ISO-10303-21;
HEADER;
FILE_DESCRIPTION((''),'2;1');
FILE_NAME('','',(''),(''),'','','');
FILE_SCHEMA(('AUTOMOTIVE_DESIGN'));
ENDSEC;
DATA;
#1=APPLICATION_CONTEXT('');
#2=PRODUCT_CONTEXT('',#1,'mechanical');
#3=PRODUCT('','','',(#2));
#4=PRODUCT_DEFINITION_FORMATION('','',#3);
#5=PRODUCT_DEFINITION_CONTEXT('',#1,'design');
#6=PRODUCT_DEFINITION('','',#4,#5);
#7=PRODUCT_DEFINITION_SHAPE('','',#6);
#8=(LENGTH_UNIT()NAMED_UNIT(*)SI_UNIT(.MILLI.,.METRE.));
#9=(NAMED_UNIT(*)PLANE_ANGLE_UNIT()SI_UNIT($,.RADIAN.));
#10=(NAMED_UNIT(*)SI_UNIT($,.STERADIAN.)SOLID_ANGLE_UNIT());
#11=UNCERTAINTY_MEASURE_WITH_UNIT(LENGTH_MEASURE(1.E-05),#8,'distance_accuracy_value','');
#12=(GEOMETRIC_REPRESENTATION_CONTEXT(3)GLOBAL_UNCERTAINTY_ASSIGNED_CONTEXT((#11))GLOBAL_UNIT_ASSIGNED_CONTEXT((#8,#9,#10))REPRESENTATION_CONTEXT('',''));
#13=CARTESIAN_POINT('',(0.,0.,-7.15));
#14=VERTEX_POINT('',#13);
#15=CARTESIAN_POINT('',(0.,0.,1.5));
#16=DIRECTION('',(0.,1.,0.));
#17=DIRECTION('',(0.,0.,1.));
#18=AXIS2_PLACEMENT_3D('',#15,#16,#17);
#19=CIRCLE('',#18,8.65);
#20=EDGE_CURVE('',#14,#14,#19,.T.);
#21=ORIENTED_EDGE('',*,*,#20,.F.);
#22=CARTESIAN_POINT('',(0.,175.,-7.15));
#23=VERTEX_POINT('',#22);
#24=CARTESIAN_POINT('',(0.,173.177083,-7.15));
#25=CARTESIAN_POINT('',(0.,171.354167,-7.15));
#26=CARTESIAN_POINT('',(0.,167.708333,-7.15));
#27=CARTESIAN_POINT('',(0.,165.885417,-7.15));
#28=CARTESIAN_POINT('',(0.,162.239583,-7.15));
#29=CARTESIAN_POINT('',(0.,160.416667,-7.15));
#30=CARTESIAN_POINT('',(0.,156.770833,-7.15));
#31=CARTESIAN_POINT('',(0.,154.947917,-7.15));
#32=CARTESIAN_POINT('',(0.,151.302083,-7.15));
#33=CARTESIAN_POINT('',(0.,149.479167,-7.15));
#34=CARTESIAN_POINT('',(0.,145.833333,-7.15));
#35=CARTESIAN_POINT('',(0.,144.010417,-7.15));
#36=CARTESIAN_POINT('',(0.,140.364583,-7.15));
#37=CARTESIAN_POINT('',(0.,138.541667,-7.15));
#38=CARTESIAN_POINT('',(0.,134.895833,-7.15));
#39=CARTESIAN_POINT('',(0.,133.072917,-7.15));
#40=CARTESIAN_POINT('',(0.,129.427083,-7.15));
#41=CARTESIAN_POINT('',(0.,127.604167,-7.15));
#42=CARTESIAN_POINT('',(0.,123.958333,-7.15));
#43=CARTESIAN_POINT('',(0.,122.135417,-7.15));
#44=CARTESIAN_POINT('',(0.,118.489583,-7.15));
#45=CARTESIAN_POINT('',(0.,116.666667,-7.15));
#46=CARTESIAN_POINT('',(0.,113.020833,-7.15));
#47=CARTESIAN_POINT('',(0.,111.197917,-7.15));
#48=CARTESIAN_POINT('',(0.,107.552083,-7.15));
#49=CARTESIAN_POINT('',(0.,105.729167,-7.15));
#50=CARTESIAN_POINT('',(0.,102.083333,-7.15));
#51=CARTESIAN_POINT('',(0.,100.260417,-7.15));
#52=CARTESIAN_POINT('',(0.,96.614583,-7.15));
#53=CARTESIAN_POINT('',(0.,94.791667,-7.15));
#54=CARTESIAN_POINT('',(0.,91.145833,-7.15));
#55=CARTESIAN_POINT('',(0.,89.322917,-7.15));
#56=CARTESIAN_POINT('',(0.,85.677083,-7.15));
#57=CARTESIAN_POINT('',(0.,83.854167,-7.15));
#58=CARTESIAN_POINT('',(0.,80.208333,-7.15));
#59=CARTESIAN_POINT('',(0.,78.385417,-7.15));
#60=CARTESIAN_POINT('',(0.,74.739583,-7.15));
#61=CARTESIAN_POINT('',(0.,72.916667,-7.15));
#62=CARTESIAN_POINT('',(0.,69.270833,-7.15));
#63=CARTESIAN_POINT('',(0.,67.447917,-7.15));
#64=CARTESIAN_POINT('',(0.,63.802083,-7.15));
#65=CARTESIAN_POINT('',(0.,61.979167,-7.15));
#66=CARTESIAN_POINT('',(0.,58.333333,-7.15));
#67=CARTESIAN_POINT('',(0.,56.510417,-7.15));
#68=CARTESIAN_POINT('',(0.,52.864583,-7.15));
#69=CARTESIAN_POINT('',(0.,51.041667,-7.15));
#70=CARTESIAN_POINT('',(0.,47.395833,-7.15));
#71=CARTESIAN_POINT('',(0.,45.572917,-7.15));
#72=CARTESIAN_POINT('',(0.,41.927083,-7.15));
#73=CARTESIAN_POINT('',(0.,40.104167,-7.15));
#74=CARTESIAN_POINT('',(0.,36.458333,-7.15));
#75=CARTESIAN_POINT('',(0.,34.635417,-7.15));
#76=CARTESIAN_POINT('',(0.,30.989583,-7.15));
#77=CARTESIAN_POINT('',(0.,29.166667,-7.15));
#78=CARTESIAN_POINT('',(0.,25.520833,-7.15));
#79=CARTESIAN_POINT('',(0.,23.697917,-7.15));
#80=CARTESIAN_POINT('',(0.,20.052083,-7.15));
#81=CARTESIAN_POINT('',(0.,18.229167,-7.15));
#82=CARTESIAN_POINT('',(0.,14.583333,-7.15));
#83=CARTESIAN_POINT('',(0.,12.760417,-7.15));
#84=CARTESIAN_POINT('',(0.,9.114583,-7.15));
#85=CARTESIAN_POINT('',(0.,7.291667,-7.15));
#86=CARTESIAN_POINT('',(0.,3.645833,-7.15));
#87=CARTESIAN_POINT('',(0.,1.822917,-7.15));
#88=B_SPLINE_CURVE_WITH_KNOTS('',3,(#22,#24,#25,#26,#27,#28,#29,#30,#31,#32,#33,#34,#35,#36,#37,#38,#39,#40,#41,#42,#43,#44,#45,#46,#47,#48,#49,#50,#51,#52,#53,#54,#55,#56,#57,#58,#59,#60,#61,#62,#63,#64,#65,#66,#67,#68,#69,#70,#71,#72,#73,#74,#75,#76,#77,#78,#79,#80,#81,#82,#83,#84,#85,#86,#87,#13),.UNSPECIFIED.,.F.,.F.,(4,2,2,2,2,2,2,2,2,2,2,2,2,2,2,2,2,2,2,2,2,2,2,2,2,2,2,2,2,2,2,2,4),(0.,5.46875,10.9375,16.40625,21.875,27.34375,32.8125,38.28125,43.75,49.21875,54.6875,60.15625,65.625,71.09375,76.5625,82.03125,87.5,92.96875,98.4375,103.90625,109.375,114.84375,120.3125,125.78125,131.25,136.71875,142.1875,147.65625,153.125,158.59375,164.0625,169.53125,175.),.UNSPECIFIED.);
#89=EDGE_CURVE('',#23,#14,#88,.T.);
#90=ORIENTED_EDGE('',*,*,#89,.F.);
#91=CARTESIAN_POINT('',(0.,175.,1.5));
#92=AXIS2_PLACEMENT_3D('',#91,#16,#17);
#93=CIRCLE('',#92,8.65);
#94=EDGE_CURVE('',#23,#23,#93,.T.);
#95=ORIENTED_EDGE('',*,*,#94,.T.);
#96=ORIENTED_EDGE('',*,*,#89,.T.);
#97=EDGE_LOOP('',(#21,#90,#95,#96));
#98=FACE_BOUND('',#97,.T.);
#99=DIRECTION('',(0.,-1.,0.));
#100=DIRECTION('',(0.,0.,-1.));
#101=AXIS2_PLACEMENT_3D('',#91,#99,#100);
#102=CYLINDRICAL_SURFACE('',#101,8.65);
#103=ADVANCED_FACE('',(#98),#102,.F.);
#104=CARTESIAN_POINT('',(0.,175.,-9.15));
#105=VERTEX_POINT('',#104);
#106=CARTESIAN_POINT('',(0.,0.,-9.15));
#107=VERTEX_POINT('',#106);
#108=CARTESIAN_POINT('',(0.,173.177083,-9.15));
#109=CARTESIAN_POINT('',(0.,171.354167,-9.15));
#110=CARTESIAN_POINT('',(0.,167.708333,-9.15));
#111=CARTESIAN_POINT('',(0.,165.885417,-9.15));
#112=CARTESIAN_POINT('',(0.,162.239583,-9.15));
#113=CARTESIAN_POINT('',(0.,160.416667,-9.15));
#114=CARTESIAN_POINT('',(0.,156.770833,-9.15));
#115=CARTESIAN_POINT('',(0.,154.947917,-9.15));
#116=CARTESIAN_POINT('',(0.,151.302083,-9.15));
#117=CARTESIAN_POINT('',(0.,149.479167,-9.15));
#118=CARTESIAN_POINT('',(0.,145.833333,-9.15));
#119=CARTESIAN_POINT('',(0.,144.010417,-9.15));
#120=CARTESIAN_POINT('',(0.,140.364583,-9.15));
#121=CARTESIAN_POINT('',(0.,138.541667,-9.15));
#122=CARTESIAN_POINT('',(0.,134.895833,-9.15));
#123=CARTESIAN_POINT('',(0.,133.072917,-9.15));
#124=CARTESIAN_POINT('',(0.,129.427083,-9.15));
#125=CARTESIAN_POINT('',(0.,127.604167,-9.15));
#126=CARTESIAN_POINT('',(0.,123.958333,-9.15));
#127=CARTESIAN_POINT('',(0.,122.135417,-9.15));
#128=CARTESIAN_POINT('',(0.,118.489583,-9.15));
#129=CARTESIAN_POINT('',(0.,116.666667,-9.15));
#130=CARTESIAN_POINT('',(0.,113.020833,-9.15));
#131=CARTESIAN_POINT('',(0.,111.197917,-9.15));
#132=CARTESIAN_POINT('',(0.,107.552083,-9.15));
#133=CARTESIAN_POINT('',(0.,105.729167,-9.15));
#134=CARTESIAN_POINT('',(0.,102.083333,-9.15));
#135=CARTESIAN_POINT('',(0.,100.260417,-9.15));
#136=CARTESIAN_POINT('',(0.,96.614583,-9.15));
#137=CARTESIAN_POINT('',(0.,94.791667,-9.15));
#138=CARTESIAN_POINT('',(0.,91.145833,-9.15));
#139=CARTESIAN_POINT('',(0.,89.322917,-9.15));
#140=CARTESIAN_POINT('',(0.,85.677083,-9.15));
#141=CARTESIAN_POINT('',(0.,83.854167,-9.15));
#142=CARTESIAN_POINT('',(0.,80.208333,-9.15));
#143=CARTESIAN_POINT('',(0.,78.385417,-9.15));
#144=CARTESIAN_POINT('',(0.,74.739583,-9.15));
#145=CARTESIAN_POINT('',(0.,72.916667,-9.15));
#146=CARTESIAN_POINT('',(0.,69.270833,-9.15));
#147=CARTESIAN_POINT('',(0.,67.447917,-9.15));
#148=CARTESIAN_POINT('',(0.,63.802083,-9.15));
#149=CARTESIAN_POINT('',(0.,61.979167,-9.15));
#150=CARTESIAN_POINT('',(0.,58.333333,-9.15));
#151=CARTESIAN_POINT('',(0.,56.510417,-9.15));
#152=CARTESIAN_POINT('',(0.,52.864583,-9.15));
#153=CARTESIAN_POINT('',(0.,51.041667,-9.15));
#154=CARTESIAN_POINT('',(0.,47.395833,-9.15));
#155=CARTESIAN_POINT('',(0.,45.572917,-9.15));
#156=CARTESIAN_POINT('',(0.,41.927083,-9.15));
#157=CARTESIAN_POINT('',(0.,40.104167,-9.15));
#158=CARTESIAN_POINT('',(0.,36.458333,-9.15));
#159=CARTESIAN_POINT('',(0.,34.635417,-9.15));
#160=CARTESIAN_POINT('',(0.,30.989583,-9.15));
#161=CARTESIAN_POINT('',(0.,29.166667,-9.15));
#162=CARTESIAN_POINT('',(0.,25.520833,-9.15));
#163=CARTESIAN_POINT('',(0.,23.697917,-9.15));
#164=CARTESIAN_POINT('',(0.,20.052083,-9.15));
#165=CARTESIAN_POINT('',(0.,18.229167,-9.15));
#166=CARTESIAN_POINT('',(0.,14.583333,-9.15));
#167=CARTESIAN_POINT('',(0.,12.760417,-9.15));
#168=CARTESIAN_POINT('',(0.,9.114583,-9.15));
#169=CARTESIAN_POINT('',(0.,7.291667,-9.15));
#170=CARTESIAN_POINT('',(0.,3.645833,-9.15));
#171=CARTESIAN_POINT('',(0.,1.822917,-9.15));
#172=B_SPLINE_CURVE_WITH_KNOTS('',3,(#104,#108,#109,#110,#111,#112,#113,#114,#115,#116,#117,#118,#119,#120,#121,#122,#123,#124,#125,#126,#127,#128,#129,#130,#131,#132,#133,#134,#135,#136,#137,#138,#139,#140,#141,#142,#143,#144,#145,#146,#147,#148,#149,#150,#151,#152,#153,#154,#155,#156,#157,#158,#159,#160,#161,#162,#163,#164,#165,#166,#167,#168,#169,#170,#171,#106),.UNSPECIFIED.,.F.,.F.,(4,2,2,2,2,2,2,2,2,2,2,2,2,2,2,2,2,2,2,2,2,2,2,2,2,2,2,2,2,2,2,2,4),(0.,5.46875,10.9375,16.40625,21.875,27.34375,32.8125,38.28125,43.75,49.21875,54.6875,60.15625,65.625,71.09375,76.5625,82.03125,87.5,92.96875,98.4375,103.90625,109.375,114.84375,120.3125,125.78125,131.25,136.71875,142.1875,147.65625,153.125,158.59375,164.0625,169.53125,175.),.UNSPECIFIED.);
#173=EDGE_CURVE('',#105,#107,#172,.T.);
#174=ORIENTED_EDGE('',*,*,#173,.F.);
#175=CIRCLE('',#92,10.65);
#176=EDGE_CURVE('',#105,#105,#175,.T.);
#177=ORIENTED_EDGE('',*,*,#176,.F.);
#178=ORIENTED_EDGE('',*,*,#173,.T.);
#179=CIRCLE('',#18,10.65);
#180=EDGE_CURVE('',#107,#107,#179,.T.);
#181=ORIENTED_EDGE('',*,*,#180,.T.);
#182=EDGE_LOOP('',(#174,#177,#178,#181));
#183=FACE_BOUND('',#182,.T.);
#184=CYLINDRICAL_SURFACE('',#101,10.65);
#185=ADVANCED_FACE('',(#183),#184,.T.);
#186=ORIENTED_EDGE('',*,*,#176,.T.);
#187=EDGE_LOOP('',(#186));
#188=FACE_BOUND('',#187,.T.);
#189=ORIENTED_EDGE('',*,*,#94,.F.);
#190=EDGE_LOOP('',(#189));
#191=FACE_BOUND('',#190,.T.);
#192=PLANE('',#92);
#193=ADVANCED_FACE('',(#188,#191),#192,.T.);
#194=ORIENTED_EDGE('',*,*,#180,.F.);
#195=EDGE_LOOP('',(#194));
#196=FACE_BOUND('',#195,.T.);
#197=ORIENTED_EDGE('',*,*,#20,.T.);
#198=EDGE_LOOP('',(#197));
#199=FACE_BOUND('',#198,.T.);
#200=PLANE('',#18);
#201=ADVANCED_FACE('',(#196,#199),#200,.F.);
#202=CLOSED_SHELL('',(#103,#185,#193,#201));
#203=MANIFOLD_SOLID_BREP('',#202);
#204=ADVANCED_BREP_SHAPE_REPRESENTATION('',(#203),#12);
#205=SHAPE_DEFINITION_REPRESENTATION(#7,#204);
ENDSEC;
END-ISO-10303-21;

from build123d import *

# Parameters (mm, degrees)
SKETCH_1_R      = 10.65
SKETCH_1_R_2    = 8.65
EXTRUDE_1_DEPTH = 175


with BuildPart() as part:
    # Эскиз1 → Бобышка-Вытянуть1 (new body)
    with BuildSketch(Plane(origin=(0, 0, 0), x_dir=(1, 0, 0), z_dir=(0, 1, 0))):
        with Locations(Location((0, -1.5, 0), (0, 0, 90))):
            Circle(SKETCH_1_R)
        with Locations(Location((0, -1.5, 0), (0, 0, 90))):
            Circle(SKETCH_1_R_2, mode=Mode.SUBTRACT)
    extrude(amount=EXTRUDE_1_DEPTH)


solid = part.part
